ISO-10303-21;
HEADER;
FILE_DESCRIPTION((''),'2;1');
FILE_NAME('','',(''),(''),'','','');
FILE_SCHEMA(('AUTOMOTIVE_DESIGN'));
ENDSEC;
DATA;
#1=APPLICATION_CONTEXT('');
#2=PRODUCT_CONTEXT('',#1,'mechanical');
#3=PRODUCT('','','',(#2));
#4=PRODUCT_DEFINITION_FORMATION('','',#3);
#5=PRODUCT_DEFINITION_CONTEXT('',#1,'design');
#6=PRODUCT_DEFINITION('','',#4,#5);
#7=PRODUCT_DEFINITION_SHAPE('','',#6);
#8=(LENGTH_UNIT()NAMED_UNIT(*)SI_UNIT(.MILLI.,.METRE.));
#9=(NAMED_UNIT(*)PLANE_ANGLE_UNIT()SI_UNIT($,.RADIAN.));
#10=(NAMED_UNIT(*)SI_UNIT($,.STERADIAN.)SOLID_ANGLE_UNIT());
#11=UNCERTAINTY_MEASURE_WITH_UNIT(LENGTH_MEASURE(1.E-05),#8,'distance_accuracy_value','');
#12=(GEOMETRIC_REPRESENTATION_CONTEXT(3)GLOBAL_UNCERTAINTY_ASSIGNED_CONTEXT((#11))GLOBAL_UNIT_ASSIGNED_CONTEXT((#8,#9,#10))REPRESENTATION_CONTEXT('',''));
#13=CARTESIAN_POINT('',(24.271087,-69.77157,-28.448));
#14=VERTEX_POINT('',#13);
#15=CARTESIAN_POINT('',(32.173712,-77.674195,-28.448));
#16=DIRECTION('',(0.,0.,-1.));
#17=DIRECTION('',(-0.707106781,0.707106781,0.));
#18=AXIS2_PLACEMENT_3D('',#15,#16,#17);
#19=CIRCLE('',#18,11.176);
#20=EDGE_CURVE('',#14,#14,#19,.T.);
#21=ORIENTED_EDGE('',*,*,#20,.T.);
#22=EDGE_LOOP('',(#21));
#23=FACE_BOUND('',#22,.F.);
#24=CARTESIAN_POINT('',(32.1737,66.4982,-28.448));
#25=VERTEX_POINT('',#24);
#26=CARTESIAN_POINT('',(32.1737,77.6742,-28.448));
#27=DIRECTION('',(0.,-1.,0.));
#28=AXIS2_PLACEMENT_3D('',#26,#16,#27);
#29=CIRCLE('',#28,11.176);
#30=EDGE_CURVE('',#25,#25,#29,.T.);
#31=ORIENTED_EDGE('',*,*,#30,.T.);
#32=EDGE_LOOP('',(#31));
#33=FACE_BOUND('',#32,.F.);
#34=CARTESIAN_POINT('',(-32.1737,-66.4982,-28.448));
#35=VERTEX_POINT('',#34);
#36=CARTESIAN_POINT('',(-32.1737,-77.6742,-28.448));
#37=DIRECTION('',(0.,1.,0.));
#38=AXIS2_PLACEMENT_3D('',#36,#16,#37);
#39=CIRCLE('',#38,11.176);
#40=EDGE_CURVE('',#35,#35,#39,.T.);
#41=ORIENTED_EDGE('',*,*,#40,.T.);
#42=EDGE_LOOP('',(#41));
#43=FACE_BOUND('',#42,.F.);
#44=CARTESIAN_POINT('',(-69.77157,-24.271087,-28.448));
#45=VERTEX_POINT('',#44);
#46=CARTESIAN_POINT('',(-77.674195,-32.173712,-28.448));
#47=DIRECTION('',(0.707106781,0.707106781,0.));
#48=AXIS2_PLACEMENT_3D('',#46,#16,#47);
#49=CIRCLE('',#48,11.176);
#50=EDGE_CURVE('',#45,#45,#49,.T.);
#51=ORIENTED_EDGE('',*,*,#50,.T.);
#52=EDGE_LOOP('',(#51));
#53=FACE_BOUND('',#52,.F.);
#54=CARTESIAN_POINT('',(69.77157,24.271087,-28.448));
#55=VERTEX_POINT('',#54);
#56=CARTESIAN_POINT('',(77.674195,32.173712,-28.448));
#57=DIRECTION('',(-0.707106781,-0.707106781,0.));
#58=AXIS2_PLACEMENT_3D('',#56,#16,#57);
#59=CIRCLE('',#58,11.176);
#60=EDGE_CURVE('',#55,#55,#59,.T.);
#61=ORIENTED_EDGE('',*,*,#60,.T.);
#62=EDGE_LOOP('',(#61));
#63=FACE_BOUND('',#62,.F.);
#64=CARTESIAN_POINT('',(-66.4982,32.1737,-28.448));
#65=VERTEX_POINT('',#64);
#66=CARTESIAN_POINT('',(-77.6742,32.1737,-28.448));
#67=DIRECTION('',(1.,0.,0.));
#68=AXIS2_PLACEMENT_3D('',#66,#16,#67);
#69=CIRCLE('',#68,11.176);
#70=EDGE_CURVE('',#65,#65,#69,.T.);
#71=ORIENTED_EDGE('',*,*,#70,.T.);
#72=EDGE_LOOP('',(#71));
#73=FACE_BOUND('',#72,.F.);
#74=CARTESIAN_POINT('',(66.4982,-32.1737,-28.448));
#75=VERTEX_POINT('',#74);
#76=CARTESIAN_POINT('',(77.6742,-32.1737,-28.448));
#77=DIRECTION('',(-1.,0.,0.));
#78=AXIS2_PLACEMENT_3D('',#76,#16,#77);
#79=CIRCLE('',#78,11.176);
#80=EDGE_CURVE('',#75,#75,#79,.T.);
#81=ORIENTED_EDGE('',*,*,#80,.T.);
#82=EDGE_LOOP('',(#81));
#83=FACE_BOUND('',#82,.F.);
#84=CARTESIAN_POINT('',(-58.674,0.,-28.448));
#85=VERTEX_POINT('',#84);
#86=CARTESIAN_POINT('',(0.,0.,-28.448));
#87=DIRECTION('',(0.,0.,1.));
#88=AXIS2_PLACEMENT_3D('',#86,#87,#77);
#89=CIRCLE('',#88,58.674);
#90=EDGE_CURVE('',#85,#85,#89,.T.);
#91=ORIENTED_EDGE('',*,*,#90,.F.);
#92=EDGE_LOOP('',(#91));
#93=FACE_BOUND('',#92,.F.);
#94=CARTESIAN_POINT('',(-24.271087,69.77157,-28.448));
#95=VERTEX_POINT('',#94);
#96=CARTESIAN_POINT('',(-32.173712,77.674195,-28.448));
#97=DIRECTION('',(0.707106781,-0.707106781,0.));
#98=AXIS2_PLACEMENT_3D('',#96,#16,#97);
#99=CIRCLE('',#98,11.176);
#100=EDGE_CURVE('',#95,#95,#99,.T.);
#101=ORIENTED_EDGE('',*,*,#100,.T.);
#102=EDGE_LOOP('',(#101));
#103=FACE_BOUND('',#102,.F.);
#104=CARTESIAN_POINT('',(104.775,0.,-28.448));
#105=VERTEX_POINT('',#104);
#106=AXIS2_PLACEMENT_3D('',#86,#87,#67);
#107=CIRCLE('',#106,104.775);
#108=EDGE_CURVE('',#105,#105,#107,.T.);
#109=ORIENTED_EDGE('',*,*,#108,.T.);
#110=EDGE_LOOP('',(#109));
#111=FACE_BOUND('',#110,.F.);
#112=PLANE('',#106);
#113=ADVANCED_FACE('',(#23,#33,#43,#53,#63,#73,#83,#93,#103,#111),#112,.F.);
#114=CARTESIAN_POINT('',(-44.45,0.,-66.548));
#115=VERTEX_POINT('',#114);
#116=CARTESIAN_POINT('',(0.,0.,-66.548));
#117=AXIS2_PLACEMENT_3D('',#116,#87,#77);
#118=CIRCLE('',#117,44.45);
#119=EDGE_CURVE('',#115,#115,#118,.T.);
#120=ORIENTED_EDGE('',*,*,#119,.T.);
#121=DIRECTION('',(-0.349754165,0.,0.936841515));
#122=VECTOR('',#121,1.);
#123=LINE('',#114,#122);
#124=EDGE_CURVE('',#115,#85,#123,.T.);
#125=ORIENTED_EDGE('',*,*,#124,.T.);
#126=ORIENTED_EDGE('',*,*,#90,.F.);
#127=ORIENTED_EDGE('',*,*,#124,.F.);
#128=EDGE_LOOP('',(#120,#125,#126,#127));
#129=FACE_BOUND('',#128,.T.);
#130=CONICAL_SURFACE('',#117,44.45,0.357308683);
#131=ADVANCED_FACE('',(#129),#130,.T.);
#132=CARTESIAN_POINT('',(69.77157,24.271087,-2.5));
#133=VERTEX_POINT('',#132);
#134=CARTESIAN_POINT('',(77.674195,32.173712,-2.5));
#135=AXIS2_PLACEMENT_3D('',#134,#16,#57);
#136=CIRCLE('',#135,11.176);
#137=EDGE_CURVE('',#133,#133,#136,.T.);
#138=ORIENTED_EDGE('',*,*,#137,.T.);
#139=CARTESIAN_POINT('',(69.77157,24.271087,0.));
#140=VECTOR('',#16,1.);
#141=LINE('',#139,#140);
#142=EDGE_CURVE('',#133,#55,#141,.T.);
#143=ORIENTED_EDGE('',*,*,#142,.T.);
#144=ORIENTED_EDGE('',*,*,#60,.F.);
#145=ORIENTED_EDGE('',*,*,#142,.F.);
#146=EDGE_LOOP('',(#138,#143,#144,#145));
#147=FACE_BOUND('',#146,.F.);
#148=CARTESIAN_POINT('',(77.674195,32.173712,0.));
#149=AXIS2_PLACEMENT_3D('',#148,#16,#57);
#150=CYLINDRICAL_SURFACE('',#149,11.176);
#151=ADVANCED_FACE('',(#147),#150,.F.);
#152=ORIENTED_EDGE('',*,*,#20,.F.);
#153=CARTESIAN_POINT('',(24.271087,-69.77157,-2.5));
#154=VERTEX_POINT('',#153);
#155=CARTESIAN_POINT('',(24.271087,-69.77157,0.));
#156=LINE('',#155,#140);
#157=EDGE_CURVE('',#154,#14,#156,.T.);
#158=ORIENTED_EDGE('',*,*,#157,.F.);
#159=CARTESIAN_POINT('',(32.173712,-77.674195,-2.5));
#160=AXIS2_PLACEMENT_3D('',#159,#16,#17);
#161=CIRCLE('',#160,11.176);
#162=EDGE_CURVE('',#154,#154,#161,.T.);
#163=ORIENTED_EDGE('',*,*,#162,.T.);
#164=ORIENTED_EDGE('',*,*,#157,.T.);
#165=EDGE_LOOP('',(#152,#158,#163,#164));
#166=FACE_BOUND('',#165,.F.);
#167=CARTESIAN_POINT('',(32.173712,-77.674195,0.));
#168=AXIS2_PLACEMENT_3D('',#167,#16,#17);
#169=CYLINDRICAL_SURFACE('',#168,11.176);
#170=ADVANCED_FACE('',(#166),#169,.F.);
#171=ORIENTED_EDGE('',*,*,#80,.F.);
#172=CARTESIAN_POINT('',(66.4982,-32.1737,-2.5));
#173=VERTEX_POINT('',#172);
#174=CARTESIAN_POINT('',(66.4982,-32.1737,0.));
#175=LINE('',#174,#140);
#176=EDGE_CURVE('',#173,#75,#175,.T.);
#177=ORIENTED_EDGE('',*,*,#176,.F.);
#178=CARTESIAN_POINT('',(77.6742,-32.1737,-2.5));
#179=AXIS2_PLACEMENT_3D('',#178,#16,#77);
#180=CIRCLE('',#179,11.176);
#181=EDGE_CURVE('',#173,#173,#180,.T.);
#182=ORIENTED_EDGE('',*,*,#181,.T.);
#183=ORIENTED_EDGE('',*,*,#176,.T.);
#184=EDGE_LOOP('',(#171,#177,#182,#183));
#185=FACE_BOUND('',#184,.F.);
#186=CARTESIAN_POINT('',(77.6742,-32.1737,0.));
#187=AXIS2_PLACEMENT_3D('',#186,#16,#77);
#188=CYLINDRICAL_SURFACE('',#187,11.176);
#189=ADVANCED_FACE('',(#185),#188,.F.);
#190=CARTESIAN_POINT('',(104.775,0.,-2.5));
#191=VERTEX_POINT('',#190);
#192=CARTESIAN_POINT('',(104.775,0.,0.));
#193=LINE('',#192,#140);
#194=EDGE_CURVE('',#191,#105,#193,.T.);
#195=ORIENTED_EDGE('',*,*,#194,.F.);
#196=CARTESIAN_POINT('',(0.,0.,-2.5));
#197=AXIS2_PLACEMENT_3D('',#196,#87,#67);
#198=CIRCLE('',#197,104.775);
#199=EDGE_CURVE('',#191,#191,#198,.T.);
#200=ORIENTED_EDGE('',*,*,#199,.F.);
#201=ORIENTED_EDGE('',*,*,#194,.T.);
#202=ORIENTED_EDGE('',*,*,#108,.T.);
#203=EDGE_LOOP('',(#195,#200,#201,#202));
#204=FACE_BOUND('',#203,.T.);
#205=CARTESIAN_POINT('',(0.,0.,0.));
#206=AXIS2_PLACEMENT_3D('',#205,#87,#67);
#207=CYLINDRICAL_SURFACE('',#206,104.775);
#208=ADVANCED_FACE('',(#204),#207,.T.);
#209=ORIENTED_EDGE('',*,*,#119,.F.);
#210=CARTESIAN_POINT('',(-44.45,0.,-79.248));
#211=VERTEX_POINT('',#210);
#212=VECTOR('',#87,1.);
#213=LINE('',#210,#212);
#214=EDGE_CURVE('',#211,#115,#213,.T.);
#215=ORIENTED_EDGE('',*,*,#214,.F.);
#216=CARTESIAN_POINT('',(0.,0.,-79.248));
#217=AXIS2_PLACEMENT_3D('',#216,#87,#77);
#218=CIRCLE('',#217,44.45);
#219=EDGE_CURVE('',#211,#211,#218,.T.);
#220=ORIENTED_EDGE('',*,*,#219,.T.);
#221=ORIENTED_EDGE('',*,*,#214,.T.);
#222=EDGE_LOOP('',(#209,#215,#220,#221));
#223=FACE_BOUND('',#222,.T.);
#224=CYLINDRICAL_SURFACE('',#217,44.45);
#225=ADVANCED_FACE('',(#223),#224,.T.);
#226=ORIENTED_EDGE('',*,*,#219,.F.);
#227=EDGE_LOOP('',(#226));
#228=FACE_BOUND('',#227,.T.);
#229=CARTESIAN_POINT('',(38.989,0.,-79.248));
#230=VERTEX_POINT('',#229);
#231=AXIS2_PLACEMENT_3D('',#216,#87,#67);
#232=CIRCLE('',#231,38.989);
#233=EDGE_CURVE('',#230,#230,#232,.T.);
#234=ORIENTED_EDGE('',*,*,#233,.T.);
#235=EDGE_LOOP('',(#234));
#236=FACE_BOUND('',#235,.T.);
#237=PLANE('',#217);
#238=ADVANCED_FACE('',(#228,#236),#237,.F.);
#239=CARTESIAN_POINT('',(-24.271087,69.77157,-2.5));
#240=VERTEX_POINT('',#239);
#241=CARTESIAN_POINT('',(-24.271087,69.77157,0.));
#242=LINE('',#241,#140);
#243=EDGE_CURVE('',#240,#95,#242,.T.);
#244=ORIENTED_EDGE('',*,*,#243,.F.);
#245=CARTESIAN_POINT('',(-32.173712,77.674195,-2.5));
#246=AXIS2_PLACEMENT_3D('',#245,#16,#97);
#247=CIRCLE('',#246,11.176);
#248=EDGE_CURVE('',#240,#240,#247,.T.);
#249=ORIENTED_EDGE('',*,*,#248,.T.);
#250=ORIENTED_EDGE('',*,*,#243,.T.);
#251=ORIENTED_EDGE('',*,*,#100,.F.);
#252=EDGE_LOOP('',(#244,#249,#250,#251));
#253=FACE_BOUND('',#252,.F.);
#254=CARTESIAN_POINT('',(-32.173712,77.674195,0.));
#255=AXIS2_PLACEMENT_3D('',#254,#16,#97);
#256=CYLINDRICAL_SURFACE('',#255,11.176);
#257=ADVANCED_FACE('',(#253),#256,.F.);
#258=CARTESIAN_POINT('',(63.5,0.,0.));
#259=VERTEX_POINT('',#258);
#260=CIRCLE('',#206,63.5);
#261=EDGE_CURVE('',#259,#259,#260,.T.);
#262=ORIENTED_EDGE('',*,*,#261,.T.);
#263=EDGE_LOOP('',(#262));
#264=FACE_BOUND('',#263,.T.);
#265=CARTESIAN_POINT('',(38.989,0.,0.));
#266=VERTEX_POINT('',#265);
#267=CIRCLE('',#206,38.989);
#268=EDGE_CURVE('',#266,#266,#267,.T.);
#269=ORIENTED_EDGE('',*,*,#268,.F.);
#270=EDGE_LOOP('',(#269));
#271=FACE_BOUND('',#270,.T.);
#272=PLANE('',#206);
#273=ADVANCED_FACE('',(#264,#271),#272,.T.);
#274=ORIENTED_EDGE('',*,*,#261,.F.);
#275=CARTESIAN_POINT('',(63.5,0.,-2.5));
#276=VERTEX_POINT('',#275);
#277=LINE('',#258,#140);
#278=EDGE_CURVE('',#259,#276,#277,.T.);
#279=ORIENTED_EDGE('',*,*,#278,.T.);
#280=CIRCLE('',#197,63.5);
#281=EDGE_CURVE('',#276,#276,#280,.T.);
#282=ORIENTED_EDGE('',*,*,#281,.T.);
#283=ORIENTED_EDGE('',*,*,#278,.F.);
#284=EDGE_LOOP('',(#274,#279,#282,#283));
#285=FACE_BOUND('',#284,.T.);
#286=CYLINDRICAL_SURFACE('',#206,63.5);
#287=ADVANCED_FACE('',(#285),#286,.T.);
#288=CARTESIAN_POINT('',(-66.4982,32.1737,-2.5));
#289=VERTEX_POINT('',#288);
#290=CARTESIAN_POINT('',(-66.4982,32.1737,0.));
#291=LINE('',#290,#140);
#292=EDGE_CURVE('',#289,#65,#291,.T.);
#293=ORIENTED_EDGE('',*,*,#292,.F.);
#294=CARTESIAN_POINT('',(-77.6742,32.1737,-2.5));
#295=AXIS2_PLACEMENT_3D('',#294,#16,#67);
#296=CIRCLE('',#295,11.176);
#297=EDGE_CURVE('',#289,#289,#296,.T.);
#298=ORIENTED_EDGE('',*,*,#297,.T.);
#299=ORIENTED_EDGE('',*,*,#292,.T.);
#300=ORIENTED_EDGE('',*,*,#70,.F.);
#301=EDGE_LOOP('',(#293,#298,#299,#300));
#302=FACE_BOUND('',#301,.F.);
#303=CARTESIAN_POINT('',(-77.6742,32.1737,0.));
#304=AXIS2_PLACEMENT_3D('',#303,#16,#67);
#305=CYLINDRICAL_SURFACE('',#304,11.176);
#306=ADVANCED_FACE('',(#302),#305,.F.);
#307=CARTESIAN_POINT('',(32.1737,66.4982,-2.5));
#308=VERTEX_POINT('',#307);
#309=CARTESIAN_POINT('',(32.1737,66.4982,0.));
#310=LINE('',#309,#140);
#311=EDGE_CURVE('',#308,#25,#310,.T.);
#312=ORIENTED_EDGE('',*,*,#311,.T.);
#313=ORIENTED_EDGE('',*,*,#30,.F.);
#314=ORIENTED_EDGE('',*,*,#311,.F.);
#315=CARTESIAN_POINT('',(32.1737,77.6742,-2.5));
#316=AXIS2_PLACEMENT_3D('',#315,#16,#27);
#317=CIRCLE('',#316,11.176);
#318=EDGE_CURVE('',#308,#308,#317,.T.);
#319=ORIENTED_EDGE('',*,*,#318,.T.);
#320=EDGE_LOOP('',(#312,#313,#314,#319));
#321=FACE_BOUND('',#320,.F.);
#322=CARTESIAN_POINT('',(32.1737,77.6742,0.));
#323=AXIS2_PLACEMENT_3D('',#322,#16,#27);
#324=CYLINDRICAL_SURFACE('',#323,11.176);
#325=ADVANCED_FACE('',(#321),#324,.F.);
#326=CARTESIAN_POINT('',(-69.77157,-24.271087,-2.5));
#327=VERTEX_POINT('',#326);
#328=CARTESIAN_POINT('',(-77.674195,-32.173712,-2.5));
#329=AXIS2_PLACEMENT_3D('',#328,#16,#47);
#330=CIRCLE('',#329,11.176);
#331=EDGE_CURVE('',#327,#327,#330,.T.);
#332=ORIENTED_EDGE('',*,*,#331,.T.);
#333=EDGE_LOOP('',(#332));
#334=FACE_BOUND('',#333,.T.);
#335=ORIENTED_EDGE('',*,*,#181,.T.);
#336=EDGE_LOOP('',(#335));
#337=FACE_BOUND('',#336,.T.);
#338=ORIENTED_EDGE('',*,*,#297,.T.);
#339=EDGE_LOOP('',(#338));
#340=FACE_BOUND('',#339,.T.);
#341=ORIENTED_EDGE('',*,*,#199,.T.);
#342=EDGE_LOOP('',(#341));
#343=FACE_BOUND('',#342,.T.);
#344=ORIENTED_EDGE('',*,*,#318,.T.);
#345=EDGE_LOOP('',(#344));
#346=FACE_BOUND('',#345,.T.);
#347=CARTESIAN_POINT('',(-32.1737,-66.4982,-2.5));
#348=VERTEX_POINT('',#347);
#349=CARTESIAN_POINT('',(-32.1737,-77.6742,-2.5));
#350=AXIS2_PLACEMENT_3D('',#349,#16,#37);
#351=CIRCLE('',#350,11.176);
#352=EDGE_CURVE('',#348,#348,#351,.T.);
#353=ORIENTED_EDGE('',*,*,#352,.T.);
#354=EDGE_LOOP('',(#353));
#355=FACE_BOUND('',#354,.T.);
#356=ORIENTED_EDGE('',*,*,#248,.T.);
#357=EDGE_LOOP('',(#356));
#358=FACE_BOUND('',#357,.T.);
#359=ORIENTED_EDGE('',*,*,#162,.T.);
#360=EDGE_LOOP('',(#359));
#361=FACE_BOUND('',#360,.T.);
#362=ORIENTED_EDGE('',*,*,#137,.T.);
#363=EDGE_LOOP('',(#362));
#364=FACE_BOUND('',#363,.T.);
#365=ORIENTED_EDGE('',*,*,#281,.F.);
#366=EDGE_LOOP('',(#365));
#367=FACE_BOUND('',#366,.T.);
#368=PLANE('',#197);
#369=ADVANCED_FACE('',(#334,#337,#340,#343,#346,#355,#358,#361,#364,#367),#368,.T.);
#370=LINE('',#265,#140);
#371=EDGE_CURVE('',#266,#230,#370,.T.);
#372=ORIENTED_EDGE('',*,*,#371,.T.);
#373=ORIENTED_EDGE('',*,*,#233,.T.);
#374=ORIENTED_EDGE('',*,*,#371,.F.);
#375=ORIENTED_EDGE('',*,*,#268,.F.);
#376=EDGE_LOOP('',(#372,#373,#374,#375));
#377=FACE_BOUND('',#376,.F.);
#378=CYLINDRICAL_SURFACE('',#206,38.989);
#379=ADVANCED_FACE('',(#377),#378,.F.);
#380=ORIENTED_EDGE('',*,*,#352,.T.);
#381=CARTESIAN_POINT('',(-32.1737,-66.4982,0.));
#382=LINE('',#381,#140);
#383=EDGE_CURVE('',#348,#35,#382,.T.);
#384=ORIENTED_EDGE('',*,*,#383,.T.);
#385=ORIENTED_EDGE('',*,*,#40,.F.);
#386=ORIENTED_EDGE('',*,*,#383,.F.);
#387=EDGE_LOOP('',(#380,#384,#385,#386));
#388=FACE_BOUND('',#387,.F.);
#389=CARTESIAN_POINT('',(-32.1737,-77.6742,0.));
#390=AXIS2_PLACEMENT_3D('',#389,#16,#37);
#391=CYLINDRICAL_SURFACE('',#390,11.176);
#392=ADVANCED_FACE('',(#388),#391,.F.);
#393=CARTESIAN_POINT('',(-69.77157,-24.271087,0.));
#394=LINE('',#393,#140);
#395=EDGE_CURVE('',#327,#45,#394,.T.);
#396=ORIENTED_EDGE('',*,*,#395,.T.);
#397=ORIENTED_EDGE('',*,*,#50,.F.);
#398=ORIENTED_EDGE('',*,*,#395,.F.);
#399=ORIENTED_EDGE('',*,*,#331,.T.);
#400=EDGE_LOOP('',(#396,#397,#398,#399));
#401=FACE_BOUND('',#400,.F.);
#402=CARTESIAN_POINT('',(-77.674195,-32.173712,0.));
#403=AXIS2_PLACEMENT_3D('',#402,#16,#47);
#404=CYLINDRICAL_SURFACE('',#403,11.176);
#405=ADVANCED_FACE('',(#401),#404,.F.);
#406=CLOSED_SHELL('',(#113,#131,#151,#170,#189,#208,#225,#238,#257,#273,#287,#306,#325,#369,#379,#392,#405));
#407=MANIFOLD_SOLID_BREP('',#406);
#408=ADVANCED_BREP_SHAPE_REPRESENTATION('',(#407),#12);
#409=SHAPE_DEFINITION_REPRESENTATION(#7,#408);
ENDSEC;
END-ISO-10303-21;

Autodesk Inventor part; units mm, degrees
ref_plane "YZ Plane" through (0, 0, 0) normal (1, 0, 0) x (0, 1, 0)
ref_plane "XZ Plane" through (0, 0, 0) normal (0, 1, 0) x (-1, 0, 0)
ref_plane "XY Plane" through (0, 0, 0) normal (0, 0, 1) x (1, 0, 0)
sketch "Sketch1" plane through (0, 0, 0) normal (0, 0, 1) x (1, 0, 0)
  circle A0 centre (0, 0) radius 104.775
  dimension "d_externo" = 209.55
extrude "Diametro externo" add sketch "Sketch1" against normal blind 28.448
sketch "Sketch2" plane through (0, 0, 0) normal (0, 0, 1) x (1, 0, 0)
  circle A0 centre (0, 0) radius 104.775 projected
  circle A1 centre (0, 0) radius 63.5
  dimension "d_resaltado" = 127
extrude "Resaltado" cut sketch "Sketch2" against normal blind 2.5
sketch "Sketch3" plane through (0, 0, 0) normal (0, 1, 0) x (-1, 0, 0)
  line L0 (-104.775, -28.448) -> (104.775, -28.448) construction
  line L1 (63.5, 0) -> (-63.5, 0) construction
  line L2 (0, -83.82) -> (0, 13.97) projected
  line L3 (0, -28.448) -> (0, -79.248)
  line L4 (0, -79.248) -> (44.45, -79.248)
  line L5 (44.45, -79.248) -> (44.45, -66.548)
  line L6 (44.45, -66.548) -> (58.674, -28.448)
  line L7 (58.674, -28.448) -> (0, -28.448)
  point P0 (0, 0)
  point P1 (0, -28.448)
  point P2 (0, -79.248)
  dimension "dia_a" = 88.9
  dimension "dia_m" = 117.348
  dimension "d8" = 12.7
  dimension "altura_h" = 79.248
revolve "Cuello" add sketch "Sketch3" angle 360 about axis through (0, 0, -10) along (0, 0, 1)
sketch "Sketch4" plane through (0, 0, 0) normal (0, 0, 1) x (1, 0, 0)
  circle A0 centre (0, 0) radius 38.989
  dimension "d_interior" = 77.978
extrude "Diametro interior" cut sketch "Sketch4" against normal through all
sketch "Sketch5" plane through (0, 0, 0) normal (0, 0, 1) x (1, 0, 0)
  line L0 (0, -106.68) -> (0, 106.68) construction
  circle A0 centre (0, 0) radius 84.074 construction
  line L1 (0, 0) -> (32.1737, 77.6742) construction
  dimension "BCD" = 168.148
  dimension "ang_a1" = 22.5
hole "Agujero union" at (32.1737, 77.6742, 0) direction (0, 0, -1) diameter 22.352 end through all
pattern_circular "Patron agujero" count 8 over 360 about axis through (0, 0, -10) along (0, 0, 1) of "Agujero union"
sketch3d "Sketch6"
feature "RANURA_ORING:1" [suppressed]
equation "\"d8\" = -0.25 * espesor + 0.25 * altura_h"
equation "\"espesor\" = 28.448"
properties part number "ej_iLogic" material "Steel"
